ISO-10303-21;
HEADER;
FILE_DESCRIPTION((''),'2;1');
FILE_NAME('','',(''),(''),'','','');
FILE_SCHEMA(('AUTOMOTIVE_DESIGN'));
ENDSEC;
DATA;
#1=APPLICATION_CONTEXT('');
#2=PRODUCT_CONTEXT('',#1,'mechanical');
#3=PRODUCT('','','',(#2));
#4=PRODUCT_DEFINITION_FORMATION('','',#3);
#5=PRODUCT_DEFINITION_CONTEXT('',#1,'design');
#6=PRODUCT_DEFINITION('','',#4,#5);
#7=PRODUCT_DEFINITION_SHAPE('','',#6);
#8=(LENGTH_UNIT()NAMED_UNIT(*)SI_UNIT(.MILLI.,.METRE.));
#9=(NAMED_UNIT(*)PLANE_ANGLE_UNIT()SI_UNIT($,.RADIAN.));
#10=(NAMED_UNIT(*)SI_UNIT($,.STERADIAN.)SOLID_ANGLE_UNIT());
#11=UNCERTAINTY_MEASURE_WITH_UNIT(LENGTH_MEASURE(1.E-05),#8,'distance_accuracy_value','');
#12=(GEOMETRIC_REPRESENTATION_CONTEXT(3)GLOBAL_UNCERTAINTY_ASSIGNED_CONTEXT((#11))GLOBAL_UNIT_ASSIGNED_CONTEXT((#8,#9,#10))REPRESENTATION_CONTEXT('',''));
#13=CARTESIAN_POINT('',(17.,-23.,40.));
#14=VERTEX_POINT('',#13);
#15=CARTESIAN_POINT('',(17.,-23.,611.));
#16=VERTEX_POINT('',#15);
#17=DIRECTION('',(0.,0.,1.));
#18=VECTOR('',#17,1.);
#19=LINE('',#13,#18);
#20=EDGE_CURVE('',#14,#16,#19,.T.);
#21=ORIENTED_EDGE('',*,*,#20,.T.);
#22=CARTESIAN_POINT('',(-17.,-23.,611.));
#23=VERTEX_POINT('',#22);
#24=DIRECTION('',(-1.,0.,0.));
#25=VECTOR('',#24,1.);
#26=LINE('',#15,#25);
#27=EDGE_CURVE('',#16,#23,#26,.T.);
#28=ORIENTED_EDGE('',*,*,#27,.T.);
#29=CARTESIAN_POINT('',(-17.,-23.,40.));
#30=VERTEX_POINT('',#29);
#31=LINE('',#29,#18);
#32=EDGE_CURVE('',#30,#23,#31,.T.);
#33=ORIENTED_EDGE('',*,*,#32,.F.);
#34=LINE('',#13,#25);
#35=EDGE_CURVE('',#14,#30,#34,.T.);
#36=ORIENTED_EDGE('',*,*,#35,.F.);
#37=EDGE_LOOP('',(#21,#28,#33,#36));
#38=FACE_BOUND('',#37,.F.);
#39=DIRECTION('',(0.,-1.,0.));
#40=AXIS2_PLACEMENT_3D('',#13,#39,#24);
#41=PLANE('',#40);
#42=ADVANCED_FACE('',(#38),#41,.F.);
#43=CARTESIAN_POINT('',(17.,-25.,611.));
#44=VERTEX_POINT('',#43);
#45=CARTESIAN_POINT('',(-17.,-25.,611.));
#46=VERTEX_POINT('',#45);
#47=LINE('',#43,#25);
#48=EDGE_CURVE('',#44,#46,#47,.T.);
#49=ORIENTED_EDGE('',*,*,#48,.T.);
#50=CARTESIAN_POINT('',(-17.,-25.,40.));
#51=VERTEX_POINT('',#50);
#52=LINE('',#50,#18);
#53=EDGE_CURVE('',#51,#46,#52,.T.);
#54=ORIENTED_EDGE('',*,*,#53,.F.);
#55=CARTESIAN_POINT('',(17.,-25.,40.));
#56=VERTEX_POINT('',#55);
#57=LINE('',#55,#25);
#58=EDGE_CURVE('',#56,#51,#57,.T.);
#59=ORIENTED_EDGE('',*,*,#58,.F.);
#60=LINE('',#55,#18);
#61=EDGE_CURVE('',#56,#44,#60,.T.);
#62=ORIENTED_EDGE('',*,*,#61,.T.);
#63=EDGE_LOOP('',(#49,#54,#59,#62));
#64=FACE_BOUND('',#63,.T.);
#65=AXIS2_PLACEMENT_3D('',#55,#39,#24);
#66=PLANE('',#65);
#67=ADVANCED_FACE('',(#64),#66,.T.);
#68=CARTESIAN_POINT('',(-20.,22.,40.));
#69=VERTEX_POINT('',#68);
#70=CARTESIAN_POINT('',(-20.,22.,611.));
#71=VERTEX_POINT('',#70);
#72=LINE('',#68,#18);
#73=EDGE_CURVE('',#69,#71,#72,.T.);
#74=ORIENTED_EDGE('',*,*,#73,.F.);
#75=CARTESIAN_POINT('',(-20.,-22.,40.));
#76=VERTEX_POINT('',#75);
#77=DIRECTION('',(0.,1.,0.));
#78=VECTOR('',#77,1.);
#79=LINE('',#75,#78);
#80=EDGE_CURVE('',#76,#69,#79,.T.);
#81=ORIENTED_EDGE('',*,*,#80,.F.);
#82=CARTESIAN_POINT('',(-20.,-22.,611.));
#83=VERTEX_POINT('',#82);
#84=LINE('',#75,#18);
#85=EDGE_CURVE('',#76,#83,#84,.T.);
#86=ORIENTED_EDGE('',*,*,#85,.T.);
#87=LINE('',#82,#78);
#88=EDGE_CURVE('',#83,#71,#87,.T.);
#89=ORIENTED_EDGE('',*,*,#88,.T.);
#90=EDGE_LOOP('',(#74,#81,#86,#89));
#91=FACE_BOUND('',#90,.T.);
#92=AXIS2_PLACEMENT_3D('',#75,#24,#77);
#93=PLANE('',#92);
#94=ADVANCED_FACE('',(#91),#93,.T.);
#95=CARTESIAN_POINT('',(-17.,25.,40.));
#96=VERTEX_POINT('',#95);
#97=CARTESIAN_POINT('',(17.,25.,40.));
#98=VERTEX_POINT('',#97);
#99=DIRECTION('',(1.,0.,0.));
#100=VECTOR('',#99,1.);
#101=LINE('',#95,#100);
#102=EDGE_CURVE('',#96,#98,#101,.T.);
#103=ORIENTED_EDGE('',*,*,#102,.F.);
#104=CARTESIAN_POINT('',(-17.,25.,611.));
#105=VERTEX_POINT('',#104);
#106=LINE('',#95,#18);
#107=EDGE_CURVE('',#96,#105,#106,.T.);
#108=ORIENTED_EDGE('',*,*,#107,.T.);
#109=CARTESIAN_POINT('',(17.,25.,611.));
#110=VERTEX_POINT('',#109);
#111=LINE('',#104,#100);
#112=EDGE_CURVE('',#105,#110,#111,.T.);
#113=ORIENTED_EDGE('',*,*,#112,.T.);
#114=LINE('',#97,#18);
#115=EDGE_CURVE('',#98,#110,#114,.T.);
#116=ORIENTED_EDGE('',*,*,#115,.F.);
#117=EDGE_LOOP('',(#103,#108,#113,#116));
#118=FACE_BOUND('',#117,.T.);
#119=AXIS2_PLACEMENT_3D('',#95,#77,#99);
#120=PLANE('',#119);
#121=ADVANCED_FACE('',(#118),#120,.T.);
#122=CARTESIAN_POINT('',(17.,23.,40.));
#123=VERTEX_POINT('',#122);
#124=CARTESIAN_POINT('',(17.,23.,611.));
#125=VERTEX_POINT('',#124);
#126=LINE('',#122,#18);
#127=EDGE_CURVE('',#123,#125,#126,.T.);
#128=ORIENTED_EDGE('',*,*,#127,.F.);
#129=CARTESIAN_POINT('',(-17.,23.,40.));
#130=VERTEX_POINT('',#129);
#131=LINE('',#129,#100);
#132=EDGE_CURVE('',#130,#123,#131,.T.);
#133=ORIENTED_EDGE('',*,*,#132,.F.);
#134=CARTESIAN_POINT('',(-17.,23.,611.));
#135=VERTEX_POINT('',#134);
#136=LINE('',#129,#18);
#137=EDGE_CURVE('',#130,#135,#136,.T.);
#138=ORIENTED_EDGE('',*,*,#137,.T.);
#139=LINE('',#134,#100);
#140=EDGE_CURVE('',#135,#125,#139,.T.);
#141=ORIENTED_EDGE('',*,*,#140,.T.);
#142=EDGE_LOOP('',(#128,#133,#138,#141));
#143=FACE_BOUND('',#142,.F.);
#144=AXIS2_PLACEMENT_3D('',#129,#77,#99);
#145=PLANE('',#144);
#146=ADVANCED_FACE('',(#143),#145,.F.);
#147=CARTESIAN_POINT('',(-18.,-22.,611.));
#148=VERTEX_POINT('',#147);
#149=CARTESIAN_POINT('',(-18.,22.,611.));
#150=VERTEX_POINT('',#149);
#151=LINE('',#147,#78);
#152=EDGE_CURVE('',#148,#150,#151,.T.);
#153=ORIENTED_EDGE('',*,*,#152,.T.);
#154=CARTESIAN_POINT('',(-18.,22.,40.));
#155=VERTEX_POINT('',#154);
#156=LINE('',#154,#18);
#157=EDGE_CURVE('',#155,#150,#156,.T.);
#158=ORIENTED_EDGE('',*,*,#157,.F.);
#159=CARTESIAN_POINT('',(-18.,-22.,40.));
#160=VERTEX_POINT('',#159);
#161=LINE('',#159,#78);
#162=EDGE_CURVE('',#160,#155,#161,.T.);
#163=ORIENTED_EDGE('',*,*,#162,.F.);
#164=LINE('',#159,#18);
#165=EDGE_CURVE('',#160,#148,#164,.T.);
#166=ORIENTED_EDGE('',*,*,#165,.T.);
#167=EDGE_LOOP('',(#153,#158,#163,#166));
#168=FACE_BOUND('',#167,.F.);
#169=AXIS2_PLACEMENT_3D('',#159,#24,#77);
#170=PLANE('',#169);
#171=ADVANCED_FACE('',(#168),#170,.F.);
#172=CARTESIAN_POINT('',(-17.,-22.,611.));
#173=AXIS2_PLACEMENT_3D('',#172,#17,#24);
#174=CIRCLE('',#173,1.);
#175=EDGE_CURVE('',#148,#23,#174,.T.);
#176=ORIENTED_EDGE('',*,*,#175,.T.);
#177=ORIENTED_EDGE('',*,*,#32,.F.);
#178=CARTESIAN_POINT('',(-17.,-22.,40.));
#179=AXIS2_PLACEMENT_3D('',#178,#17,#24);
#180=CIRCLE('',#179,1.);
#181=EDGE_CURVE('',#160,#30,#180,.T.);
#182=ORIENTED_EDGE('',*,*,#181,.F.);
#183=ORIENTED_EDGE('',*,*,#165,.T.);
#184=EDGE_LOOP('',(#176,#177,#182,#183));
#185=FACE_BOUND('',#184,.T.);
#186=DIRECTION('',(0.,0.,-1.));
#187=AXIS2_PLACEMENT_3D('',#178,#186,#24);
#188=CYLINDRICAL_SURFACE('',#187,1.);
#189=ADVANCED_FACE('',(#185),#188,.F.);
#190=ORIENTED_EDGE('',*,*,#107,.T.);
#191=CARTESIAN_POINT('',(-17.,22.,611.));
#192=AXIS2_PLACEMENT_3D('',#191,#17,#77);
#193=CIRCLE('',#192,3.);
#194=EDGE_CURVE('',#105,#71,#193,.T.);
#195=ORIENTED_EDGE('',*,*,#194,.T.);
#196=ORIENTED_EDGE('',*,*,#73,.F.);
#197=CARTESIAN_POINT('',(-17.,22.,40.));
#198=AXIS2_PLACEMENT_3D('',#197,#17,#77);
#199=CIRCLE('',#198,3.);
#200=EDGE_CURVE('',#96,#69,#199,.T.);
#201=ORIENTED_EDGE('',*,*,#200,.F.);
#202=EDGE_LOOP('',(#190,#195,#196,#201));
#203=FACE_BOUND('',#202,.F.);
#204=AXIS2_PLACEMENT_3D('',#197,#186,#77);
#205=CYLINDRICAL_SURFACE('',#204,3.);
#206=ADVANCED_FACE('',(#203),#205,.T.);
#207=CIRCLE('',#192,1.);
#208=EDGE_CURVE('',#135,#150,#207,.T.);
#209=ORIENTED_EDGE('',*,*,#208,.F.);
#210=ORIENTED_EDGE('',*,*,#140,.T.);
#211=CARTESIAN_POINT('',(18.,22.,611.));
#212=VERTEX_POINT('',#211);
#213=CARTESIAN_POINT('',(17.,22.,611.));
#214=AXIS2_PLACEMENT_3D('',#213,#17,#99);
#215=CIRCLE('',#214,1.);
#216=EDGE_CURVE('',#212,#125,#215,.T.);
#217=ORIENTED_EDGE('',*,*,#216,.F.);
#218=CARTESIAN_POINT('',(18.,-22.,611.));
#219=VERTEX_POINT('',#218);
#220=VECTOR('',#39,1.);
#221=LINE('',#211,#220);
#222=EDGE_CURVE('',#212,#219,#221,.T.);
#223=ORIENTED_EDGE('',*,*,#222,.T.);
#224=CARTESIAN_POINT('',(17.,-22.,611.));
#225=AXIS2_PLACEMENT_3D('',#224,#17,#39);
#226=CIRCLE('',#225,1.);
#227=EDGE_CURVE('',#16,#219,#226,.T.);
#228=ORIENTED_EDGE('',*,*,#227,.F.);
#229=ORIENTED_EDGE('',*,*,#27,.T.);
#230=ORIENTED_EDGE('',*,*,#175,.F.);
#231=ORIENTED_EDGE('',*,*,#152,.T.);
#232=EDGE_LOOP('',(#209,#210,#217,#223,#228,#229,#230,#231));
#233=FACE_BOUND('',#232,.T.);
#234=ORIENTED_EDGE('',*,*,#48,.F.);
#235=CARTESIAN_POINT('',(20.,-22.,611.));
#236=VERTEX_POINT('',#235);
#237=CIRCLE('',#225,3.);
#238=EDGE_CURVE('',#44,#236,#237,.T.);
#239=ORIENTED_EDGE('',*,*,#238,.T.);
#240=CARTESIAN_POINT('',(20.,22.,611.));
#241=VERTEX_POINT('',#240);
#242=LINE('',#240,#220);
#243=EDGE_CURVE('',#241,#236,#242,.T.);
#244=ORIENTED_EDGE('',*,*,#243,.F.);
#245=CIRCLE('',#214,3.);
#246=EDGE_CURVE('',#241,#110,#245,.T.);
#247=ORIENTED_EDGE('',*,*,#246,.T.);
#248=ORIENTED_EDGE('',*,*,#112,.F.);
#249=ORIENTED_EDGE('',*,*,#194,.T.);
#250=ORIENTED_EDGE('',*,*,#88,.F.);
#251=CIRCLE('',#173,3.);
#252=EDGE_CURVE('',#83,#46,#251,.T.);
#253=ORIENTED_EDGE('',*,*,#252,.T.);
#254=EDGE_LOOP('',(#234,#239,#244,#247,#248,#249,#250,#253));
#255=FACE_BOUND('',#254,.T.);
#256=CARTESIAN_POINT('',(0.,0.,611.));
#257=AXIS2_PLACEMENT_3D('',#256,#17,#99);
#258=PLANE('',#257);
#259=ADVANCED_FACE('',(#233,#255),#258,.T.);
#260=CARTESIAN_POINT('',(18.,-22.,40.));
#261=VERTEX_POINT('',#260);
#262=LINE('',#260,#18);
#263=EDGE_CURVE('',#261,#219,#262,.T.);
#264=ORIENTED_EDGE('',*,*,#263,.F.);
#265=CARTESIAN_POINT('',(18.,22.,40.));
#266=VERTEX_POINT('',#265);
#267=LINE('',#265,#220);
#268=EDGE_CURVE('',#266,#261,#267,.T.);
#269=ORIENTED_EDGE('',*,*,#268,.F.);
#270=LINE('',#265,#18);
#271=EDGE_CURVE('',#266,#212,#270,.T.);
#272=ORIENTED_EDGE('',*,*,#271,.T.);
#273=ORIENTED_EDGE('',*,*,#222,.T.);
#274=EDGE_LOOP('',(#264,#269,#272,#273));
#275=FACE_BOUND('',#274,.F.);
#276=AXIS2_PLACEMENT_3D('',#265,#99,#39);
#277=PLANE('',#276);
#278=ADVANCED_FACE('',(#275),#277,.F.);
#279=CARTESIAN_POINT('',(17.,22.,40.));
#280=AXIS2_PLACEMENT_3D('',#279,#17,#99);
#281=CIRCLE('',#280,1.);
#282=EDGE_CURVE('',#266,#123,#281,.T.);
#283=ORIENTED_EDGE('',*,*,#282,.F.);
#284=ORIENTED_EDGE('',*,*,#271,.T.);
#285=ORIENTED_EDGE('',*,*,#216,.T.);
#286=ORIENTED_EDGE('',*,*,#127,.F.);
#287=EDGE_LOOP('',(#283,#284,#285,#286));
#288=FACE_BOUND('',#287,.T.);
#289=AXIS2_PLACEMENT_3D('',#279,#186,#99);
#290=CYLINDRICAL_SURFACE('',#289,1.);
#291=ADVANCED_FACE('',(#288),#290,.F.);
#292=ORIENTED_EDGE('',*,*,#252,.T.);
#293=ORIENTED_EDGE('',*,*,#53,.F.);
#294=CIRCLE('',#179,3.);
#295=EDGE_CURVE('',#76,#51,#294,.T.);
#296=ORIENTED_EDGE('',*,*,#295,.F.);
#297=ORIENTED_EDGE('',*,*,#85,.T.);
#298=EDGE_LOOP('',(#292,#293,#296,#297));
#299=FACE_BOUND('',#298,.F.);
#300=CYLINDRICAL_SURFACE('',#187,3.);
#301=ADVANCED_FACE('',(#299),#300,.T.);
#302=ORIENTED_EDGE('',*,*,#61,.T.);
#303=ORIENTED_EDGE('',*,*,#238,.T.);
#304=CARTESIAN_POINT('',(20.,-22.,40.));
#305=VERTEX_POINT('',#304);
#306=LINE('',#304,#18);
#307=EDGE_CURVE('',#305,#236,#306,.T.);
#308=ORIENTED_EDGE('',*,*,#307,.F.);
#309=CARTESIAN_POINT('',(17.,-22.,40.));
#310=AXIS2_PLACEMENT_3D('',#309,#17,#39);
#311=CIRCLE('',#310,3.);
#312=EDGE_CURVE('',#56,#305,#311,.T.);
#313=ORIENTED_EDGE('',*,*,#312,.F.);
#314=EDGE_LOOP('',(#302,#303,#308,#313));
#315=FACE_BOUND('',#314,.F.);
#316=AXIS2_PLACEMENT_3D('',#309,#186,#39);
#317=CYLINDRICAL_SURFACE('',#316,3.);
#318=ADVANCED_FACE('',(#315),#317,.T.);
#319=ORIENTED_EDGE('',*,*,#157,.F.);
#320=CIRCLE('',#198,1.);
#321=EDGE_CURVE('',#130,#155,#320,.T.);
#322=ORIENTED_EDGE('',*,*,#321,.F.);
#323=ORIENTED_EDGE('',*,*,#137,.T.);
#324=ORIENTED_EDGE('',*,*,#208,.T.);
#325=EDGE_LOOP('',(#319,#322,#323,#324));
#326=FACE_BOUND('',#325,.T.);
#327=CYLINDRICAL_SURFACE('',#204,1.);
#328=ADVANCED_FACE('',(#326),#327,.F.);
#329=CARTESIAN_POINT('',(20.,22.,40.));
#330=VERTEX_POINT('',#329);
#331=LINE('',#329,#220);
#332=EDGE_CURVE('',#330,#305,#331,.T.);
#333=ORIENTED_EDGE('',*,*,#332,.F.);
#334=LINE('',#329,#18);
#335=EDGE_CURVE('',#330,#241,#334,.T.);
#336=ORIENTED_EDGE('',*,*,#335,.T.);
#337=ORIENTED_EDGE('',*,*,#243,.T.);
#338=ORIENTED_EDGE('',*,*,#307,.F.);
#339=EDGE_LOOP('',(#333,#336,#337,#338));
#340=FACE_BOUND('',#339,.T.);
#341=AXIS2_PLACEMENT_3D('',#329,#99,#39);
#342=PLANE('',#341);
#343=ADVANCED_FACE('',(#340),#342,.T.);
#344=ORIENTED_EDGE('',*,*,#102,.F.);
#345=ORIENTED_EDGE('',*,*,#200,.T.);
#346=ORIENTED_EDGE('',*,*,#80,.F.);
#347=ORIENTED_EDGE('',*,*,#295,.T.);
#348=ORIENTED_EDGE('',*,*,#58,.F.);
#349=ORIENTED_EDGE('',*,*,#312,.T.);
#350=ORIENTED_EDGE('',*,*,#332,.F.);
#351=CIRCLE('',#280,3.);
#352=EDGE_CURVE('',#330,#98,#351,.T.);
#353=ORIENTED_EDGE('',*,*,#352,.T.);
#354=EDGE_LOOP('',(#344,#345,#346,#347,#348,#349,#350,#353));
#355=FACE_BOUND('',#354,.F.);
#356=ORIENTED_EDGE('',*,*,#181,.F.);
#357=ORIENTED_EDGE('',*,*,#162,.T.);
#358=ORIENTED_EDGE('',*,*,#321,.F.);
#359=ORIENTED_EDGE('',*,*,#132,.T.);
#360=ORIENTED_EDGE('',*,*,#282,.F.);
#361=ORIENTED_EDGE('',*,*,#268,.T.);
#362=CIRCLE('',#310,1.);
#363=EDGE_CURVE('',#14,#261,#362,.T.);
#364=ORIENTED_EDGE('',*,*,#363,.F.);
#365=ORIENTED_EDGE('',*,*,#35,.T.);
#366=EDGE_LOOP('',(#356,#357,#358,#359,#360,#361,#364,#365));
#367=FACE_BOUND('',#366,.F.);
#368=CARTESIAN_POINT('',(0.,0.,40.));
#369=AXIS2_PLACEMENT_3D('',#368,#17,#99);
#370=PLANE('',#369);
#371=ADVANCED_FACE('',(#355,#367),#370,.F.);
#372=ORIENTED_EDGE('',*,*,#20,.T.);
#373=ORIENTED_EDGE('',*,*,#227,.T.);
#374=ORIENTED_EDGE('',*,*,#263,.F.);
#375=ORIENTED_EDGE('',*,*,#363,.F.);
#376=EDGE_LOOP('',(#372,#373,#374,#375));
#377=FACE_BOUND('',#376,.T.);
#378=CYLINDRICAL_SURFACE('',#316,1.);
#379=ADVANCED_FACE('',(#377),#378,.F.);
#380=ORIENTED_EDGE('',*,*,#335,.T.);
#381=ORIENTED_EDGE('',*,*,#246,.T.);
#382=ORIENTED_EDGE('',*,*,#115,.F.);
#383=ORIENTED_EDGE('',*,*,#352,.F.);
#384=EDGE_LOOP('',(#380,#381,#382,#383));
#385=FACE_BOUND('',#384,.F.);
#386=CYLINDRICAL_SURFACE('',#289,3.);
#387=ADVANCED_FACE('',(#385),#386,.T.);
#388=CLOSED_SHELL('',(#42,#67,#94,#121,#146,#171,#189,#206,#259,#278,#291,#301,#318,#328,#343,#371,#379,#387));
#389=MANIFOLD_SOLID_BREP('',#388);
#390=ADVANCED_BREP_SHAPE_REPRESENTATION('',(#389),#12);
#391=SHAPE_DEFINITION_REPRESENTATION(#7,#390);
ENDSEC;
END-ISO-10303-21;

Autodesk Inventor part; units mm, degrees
ref_plane "Start plane" through (0, 0, 40) normal (0, 0, 1) x (1, 0, 0)
ref_plane "End plane" through (0, 0, 611) normal (0, 0, 1) x (1, 0, 0)
sketch "Sketch" plane through (0, 0, 0) normal (0, 0, 1) x (1, 0, 0)
  line L0 (-20, -22) -> (-20, 22)
  line L1 (-17, 25) -> (17, 25)
  line L2 (20, 22) -> (20, -22)
  line L3 (17, -25) -> (-17, -25)
  arc A0 (-20, -22) -> (-17, -25) centre (-17, -22) ccw
  arc A1 (-17, 25) -> (-20, 22) centre (-17, 22) ccw
  arc A2 (20, 22) -> (17, 25) centre (17, 22) ccw
  arc A3 (17, -25) -> (20, -22) centre (17, -22) ccw
  arc A4 (-17, 23) -> (-18, 22) centre (-17, 22) ccw
  line L4 (-17, 23) -> (17, 23)
  arc A5 (18, 22) -> (17, 23) centre (17, 22) ccw
  line L5 (18, 22) -> (18, -22)
  arc A6 (17, -23) -> (18, -22) centre (17, -22) ccw
  line L6 (17, -23) -> (-17, -23)
  arc A7 (-18, -22) -> (-17, -23) centre (-17, -22) ccw
  line L7 (-18, -22) -> (-18, 22)
  line L8 (0, 35.8698) -> (0, -35.8698) construction
  line L9 (-28.8698, 0) -> (28.8698, 0) construction
  dimension "d7" = 3
  dimension "d10" = 50
  dimension "d11" = 40
  dimension "d12" = 2
  dimension "d15" = 25
  dimension "d16" = 20
extrude "Body" add sketch "Sketch" along normal up to surface (571 mm away) from surface at 40
sketch "Sketch3" plane through (0, 0, 0) normal (0, 0, 1) x (1, 0, 0)
  line L0 (0, 0) -> (10, 0)
ref_plane "Work Plane3" through (0, 0, 0) normal (0, -1, 0) x (1, 0, 0)
sketch "Sketch4" plane through (0, 0, 0) normal (0, -1, 0) x (1, 0, 0)
  line L0 (-2, 40) -> (12, 40)
  line L1 (-2, 611) -> (12, 611)
  dimension "d18" = 571
ref_plane "Work Plane4" through (20, 22, 40) normal (0, 0, -1) x (-1, 0, 0)
split "Split1" plane through (20, 22, 40) removes the side toward (0, 0, -1)
ref_plane "Work Plane5" through (20, -22, 611) normal (0, 0, 1) x (1, 0, 0)
split "Split2" plane through (20, -22, 611) removes the side toward (0, 0, 1)
equation "\"d7\" = G_IR"
equation "\"d10\" = G_H"
equation "\"d11\" = G_W"
equation "\"d12\" = G_T"
equation "\"d15\" = 0.5 * d10"
equation "\"d16\" = 0.5 * d11"
equation "\"d3\" = G_L"
equation "\"G_W\" = 40"
equation "\"G_H\" = 50"
equation "\"G_T\" = 2"
equation "\"G_IR\" = 3"
equation "\"G_L\" = d18"
equation "\"G_OFFSET_START\" = -40"
equation "\"G_OFFSET_END\" = -40"
equation "\"d13\" = -G_OFFSET_START"
equation "\"d14\" = G_OFFSET_END + B_L"
equation "\"B_L\" = 651"
properties part number "UNI EN 10305-5 - 50 x 40 x 2  - 571" material "Steel, Mild"
